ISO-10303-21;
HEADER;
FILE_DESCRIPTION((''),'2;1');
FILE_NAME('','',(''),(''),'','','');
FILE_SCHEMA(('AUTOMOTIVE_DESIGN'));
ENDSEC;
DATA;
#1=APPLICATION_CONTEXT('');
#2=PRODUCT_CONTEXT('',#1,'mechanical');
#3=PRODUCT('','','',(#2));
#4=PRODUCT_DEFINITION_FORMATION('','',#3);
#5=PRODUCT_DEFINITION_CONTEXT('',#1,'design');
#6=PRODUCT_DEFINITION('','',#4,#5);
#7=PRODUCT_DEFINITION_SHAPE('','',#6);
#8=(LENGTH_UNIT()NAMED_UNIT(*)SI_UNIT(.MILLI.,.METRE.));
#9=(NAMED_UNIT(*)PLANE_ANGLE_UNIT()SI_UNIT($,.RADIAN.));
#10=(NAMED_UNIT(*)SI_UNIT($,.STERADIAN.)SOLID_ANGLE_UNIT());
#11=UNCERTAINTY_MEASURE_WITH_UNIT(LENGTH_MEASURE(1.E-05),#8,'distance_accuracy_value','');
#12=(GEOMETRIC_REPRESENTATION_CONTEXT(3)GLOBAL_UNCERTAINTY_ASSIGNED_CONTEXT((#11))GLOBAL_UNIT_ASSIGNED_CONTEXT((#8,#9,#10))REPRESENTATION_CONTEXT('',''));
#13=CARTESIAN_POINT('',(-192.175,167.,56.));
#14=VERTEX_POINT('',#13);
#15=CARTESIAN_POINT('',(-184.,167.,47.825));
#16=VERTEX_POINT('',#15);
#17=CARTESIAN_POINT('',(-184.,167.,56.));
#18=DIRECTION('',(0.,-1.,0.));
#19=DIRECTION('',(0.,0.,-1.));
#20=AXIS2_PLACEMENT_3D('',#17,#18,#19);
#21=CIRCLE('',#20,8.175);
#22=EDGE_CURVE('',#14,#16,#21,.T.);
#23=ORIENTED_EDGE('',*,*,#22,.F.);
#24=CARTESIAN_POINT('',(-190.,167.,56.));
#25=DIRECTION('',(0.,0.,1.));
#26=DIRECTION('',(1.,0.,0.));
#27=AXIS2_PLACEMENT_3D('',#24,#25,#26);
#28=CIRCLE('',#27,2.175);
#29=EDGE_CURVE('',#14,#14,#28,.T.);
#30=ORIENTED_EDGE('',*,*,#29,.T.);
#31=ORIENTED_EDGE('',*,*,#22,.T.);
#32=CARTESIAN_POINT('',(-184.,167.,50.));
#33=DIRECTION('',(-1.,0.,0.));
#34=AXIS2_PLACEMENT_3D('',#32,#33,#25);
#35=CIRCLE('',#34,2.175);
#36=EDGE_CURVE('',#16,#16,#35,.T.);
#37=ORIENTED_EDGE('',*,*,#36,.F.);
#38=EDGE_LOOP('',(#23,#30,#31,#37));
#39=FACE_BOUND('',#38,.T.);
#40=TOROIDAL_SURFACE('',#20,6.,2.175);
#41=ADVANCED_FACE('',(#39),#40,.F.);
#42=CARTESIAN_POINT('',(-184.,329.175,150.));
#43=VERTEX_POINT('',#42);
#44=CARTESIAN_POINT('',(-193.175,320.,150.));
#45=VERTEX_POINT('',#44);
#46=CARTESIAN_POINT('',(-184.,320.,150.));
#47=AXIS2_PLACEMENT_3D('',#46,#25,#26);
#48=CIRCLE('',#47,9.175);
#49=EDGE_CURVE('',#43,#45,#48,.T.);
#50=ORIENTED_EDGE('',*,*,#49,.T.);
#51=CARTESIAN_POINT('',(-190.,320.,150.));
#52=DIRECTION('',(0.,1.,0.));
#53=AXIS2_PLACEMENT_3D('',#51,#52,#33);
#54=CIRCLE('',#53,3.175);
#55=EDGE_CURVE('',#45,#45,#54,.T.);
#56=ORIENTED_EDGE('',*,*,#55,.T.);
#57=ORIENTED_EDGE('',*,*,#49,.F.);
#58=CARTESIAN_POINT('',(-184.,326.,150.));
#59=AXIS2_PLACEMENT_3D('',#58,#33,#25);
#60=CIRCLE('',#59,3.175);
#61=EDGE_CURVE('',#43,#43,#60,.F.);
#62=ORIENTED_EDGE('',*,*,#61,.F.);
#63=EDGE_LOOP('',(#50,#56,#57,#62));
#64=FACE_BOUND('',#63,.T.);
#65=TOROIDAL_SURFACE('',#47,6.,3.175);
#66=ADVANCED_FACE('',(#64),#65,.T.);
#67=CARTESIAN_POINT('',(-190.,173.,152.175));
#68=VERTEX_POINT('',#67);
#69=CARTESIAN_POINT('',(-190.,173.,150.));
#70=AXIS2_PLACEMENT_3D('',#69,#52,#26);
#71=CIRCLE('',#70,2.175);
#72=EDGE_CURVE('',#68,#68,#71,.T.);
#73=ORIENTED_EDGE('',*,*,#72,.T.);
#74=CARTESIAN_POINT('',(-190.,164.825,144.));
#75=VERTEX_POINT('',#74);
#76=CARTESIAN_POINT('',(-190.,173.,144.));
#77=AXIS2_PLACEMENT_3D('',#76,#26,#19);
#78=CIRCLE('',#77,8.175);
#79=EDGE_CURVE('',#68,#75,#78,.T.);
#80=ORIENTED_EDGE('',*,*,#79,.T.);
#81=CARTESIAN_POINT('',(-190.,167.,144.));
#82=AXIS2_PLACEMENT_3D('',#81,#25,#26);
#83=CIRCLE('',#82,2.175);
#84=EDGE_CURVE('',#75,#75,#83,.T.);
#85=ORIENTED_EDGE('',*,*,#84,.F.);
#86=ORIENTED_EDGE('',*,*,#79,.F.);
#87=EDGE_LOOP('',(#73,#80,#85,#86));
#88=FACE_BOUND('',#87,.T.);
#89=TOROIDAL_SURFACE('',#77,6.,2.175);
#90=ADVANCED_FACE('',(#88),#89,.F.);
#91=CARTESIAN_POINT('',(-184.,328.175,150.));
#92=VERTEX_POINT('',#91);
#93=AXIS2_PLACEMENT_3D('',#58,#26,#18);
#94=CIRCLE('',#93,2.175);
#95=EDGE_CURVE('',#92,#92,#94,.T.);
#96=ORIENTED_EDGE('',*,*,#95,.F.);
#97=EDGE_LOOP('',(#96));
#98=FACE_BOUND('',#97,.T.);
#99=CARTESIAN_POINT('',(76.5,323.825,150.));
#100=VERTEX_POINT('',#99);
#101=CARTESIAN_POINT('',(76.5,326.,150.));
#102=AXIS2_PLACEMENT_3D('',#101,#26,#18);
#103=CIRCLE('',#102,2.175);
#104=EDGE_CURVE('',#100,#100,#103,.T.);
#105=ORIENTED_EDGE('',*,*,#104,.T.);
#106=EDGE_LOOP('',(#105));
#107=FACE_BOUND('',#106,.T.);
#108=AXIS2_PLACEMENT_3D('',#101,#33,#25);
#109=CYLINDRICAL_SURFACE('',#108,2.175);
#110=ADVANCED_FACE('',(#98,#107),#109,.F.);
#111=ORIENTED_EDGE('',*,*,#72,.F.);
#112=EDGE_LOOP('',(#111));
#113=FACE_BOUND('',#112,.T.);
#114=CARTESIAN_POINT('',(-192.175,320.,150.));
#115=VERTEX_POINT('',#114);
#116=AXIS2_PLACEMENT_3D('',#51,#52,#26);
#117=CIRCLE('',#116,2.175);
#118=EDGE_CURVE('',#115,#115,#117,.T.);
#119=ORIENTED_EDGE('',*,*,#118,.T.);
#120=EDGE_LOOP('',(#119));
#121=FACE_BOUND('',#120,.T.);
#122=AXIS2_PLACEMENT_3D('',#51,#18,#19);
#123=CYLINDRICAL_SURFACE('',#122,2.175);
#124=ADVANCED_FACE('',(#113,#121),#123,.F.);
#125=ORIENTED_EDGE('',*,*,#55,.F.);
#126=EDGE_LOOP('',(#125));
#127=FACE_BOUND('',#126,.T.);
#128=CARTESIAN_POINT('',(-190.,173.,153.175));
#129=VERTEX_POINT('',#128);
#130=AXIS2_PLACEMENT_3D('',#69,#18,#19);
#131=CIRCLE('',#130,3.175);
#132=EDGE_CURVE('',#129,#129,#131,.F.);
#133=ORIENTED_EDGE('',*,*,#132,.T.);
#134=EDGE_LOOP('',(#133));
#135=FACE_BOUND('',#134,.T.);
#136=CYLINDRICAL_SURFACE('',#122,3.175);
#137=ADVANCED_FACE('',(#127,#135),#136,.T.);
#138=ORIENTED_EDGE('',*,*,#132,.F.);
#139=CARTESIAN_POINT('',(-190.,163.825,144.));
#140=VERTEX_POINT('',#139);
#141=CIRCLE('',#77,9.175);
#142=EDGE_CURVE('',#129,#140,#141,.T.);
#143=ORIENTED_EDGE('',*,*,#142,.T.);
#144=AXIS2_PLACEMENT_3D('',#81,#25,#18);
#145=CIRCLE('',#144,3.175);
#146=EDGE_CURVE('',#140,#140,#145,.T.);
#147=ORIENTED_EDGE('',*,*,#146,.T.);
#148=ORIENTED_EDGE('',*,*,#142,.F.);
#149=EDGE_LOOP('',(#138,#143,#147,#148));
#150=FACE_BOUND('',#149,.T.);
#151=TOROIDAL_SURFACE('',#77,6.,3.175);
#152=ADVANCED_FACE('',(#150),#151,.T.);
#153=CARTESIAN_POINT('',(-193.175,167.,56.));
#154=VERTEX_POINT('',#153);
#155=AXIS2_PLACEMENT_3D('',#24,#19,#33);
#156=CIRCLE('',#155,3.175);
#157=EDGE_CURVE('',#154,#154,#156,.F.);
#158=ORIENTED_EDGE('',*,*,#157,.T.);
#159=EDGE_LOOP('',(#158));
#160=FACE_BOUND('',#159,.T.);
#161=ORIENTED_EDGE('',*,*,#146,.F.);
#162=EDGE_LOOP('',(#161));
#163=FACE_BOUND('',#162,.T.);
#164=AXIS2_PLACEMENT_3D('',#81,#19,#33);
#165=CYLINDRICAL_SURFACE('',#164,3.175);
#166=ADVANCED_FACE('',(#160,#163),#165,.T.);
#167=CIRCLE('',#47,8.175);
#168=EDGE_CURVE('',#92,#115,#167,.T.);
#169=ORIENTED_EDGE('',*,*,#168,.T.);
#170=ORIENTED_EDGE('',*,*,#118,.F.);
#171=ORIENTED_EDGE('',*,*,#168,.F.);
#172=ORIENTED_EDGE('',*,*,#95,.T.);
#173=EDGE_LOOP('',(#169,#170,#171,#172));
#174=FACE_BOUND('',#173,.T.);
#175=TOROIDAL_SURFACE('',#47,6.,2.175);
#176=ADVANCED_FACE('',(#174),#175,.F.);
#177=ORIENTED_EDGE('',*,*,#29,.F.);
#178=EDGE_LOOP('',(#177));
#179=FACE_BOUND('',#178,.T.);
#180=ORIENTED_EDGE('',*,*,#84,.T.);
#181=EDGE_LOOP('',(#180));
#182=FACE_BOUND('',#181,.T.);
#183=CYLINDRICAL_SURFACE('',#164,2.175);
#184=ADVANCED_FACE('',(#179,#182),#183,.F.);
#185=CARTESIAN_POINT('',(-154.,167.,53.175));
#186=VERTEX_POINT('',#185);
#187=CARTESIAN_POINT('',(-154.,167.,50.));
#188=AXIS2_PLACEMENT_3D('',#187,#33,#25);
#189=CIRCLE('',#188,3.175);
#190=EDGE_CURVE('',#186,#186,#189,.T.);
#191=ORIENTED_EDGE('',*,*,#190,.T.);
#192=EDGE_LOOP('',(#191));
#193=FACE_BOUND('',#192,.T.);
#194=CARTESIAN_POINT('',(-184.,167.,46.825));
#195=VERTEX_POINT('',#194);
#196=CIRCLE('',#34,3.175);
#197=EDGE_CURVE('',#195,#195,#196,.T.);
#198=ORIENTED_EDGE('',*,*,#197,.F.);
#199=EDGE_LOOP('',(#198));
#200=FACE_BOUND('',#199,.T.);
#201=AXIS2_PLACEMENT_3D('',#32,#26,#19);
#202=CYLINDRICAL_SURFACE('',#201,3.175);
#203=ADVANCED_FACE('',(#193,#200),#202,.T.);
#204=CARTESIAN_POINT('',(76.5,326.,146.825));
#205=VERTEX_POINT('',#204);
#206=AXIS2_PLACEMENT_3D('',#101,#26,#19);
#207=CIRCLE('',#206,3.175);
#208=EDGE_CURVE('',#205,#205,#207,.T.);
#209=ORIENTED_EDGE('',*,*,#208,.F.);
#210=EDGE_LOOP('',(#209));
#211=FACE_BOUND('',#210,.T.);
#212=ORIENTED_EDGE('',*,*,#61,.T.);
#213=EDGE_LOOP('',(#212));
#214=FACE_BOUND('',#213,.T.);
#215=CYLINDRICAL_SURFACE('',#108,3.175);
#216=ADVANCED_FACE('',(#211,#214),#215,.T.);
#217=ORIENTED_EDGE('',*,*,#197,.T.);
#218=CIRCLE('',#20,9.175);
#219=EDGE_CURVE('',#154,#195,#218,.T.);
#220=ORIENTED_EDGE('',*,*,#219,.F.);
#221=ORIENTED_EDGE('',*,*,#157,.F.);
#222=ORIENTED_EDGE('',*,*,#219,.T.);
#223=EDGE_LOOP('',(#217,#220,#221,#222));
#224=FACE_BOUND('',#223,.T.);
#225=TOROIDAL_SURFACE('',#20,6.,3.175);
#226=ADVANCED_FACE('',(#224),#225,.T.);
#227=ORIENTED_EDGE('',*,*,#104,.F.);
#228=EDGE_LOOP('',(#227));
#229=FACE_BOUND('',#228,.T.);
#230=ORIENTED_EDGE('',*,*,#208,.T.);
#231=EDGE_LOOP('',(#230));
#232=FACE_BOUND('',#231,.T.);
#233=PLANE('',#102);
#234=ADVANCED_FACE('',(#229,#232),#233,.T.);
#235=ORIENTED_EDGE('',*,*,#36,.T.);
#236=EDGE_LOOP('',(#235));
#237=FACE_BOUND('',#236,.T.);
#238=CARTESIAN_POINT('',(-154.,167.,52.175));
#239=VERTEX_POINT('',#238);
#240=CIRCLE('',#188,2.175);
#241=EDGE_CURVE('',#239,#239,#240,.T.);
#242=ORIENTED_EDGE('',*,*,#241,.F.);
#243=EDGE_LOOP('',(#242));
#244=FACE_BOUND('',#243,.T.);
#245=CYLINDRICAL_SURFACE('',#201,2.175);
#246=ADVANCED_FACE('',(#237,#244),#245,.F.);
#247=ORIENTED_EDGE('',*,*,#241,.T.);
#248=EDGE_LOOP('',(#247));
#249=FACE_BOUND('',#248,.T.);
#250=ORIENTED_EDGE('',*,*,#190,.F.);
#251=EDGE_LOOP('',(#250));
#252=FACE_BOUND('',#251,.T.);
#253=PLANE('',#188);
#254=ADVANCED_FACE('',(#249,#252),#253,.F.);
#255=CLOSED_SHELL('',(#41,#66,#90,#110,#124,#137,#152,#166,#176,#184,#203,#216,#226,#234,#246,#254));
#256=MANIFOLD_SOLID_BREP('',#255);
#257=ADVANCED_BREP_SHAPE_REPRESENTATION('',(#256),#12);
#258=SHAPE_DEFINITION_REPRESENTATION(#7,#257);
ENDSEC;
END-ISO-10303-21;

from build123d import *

# Parameters (mm, degrees)
TUBE_PROFILE_R   = 3.175
TUBE_PROFILE_R_2 = 2.175


with BuildPart() as part:
    # Tube: sweep along a curve in space
    with BuildLine() as tube_path:
        Line((76.5, 326, 150), (-184, 326, 150))
        ThreePointArc((-190, 320, 150), (-188.242640687, 324.242640687, 150), (-184, 326, 150))
        Line((-190, 320, 150), (-190, 173, 150))
        ThreePointArc((-190, 167, 144), (-190, 168.757359313, 148.242640687), (-190, 173, 150))
        Line((-190, 167, 144), (-190, 167, 56))
        ThreePointArc((-184, 167, 50), (-188.242640687, 167, 51.757359313), (-190, 167, 56))
        Line((-184, 167, 50), (-154, 167, 50))
    # Tube profile (on start of the path) → Tube (sweep)
    with BuildSketch(Plane(origin=(76.5, 326, 150), x_dir=(0, 0, -1), z_dir=(-1, 0, 0))):
        Circle(TUBE_PROFILE_R)
        Circle(TUBE_PROFILE_R_2, mode=Mode.SUBTRACT)
    sweep(path=tube_path.line)


solid = part.part
